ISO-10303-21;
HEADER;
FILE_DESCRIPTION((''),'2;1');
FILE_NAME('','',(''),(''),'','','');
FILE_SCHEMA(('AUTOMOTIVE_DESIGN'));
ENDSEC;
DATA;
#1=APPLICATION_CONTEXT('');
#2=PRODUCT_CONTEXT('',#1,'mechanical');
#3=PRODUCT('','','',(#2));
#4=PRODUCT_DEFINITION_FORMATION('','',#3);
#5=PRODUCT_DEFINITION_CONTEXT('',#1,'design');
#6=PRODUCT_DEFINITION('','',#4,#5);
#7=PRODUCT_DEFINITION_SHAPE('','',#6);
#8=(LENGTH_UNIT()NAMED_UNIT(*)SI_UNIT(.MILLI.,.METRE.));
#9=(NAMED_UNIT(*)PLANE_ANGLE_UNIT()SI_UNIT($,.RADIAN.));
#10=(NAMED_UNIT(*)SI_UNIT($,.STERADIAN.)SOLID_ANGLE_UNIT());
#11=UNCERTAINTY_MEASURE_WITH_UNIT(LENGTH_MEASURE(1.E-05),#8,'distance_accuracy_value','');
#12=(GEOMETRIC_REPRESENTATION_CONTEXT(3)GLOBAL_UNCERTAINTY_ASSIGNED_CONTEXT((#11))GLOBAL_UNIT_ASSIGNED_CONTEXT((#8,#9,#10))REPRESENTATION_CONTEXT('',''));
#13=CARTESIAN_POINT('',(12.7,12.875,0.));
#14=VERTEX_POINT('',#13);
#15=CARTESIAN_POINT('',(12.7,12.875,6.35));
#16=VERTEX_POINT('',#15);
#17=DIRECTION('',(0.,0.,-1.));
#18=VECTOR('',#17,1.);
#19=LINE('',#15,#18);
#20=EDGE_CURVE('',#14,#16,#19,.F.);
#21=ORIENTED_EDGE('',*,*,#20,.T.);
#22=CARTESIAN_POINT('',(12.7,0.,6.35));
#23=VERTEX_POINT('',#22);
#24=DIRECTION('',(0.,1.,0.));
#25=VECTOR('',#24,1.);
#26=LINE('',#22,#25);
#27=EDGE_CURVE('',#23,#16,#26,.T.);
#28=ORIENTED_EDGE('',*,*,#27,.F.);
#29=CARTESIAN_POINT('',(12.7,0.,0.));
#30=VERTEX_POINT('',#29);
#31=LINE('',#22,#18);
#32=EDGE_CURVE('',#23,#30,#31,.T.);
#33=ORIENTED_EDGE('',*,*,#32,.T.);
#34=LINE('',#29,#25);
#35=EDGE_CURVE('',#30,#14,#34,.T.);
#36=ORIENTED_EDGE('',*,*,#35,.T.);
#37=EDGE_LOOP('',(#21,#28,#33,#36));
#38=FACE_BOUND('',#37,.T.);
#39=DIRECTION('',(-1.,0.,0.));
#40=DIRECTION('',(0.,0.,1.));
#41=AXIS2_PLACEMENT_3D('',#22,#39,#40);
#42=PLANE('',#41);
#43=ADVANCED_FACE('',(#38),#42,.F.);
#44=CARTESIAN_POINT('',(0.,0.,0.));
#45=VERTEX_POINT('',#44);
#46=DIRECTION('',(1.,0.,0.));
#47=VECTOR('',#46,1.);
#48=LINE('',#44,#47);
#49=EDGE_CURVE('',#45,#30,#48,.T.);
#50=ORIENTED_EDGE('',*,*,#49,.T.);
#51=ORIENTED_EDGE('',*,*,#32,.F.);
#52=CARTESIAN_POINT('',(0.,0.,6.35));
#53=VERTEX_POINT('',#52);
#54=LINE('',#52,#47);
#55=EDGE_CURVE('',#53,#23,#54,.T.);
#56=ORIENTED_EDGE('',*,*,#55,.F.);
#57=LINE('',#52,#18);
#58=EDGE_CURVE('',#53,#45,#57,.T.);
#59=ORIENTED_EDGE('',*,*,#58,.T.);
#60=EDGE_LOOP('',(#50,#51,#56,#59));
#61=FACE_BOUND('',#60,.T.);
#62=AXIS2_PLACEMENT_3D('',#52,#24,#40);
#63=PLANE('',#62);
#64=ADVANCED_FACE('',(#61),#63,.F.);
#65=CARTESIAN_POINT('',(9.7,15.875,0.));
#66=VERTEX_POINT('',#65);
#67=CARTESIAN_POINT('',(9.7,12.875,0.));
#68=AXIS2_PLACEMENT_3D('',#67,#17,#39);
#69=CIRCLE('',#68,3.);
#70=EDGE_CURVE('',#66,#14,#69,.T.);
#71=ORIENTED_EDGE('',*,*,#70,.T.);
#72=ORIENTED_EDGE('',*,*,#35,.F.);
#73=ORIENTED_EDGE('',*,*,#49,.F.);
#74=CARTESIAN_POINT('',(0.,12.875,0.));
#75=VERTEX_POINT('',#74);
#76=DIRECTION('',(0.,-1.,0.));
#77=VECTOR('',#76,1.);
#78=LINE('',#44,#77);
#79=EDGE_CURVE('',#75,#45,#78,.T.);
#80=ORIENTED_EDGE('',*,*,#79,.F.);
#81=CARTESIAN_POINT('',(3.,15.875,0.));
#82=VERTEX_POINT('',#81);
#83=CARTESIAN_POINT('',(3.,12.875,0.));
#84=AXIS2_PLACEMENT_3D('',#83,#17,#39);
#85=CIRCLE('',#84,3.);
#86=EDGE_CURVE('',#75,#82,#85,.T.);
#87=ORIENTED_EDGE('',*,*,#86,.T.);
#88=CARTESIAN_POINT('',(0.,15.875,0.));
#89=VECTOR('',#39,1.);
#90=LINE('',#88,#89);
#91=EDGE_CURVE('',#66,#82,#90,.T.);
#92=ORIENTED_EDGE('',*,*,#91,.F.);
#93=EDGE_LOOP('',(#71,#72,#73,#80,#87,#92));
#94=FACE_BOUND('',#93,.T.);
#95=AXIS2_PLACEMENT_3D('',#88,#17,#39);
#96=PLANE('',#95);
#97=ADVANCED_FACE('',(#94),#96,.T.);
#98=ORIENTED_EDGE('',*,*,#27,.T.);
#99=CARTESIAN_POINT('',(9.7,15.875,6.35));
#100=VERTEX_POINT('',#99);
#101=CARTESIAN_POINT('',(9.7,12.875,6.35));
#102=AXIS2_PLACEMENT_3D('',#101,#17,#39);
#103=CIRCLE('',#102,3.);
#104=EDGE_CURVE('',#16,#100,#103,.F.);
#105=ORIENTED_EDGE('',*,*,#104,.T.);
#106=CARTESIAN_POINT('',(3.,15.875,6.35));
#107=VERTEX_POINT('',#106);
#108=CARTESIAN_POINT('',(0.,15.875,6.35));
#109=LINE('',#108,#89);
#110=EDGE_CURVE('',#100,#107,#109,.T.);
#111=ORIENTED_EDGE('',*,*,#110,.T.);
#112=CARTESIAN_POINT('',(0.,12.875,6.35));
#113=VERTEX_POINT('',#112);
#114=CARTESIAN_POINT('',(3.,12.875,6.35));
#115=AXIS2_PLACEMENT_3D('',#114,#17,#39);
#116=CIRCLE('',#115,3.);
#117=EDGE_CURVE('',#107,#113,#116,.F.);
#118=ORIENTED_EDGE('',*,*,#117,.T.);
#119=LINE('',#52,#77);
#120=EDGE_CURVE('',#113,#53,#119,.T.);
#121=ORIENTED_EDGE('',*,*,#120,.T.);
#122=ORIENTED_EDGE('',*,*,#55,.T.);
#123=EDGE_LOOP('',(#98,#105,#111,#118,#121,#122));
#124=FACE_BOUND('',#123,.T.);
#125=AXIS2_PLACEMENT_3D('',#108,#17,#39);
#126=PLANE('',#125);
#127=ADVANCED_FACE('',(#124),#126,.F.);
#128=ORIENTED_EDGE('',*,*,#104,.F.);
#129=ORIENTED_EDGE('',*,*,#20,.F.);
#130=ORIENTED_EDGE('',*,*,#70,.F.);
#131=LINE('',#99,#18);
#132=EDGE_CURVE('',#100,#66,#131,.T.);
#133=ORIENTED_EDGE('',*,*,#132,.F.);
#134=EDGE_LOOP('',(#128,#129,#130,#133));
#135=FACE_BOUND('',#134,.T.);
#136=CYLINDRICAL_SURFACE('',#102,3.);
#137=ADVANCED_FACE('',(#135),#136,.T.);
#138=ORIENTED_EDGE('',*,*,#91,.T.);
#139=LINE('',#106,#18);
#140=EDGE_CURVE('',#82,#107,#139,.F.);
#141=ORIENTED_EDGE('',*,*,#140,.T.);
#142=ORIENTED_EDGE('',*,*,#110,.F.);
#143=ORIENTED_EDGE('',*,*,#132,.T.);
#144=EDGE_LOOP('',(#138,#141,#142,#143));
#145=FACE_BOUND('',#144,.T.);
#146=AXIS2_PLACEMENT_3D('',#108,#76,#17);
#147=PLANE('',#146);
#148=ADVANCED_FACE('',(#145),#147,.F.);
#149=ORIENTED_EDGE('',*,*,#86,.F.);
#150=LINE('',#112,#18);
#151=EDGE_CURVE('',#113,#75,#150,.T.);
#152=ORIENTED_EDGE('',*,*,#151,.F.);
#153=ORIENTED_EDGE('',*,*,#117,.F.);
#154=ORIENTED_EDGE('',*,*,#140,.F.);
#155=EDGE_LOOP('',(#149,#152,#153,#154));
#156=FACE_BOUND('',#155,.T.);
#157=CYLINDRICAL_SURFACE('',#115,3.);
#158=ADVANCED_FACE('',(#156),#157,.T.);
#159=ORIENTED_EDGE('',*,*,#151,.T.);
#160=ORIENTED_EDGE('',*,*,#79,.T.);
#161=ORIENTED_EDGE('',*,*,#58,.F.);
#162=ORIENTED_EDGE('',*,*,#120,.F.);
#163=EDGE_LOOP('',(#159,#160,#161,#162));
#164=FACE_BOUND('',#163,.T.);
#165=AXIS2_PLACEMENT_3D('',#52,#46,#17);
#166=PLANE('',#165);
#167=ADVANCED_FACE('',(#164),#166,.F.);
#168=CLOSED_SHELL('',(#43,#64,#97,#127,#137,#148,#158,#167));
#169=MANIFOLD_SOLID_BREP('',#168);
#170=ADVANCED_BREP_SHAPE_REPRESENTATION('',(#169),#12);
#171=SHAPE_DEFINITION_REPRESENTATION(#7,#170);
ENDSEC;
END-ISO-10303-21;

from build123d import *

# Parameters (mm, degrees)
SKETCH1_W           = 12.7
SKETCH1_H           = 15.875
BOSS_EXTRUDE1_DEPTH = 6.35
FILLET1_R           = 3


with BuildPart() as part:
    # Sketch1 → Boss-Extrude1 (new body)
    with BuildSketch(Plane.XY):
        with Locations((6.35, 7.9375)):
            Rectangle(SKETCH1_W, SKETCH1_H)
    extrude(amount=BOSS_EXTRUDE1_DEPTH)

    # Fillet1
    fillet1_edges = [part.edges().sort_by_distance(p)[0] for p in [
        (0, 15.875, 3.175),
        (12.7, 15.875, 3.175),
    ]]
    fillet(fillet1_edges, radius=FILLET1_R)


solid = part.part
